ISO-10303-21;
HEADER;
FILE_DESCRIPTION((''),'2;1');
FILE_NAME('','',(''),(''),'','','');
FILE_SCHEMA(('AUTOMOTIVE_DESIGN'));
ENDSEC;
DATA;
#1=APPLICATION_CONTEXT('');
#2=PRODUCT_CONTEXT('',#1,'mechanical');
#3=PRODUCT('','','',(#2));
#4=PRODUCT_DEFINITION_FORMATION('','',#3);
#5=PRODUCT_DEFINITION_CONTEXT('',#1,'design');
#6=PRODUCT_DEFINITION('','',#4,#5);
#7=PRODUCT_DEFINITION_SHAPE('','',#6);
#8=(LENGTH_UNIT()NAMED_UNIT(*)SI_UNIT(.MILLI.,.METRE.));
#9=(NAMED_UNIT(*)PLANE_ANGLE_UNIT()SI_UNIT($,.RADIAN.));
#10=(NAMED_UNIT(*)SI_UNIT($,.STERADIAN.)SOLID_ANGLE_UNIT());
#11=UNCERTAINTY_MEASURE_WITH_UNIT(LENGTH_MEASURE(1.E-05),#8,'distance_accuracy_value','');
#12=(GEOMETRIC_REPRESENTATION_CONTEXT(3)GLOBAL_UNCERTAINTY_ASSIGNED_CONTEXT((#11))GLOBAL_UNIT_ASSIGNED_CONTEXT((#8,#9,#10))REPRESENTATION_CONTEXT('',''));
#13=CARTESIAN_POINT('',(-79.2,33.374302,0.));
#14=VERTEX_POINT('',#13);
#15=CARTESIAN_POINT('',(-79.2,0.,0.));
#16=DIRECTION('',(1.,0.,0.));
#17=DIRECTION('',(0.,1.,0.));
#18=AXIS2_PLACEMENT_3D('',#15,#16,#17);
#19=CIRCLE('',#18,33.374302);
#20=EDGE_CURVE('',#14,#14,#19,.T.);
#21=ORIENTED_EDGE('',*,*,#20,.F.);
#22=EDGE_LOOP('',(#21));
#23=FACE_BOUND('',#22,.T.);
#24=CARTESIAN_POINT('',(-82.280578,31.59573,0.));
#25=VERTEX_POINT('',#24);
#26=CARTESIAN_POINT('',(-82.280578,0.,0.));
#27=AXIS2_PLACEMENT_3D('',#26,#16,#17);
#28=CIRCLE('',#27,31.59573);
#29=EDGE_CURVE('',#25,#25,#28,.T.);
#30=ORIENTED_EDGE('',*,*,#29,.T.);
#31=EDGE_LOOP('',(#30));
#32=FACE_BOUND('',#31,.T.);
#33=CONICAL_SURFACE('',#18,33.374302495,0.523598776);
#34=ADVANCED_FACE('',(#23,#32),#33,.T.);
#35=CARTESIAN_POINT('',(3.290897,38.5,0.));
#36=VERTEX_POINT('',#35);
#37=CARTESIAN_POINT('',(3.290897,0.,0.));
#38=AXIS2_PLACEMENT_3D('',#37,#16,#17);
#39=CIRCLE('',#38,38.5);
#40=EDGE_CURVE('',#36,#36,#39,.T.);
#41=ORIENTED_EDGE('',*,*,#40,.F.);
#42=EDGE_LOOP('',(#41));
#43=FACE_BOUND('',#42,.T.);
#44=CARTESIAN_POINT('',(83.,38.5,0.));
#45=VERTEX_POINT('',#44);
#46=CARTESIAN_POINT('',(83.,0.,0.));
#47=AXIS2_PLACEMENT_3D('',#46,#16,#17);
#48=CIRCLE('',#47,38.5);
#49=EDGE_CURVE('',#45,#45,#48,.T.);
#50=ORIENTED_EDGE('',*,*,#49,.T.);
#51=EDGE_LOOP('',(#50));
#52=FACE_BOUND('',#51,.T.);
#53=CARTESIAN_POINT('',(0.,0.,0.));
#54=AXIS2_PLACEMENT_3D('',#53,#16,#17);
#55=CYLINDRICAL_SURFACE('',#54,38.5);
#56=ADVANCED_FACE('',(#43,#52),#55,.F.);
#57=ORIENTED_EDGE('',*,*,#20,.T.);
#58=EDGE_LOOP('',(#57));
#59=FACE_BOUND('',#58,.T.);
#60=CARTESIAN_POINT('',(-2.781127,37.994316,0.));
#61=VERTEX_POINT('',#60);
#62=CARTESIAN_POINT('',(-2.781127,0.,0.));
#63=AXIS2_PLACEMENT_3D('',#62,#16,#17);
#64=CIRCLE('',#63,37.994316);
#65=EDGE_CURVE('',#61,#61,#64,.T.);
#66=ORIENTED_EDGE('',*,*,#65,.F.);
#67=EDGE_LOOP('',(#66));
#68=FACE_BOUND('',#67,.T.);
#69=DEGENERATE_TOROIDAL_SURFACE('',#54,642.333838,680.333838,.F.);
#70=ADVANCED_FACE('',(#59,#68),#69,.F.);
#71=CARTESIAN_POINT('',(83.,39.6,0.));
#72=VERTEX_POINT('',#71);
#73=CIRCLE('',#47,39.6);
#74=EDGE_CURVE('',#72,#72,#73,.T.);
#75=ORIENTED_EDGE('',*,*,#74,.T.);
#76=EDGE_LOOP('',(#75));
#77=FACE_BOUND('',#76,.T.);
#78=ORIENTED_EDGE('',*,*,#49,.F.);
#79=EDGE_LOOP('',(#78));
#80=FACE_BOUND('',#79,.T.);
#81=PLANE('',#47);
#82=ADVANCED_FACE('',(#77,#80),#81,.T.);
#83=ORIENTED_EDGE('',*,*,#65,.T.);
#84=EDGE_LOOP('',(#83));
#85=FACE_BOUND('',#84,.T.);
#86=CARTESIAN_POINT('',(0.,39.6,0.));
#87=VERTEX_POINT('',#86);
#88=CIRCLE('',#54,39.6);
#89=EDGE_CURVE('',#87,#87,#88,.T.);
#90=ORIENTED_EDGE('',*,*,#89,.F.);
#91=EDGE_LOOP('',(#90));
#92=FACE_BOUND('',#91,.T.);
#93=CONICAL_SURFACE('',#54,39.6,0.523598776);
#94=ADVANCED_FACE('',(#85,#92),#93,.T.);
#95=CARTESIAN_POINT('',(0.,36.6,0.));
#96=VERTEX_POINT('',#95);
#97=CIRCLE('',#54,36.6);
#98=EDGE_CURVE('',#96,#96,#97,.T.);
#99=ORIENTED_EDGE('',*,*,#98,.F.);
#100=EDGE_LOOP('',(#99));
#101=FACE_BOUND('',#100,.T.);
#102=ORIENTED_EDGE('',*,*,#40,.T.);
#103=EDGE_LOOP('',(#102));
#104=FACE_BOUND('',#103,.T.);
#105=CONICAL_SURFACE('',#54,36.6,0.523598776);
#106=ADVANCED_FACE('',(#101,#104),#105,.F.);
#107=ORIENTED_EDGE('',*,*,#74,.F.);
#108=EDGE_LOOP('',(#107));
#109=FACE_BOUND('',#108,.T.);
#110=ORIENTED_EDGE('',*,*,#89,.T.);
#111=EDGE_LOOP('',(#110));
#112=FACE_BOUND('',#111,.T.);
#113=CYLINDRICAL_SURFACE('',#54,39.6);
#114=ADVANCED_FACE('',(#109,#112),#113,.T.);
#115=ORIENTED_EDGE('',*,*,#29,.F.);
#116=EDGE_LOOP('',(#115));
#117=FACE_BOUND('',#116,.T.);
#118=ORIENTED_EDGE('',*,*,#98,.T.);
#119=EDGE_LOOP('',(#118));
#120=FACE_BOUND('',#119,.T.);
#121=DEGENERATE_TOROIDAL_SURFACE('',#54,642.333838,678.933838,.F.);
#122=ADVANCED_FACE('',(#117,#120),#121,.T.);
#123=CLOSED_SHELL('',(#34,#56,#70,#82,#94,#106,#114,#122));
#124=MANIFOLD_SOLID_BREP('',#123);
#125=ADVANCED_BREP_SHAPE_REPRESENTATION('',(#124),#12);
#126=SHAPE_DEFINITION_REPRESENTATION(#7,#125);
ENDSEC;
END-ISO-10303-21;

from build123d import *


with BuildPart() as part:
    # Sketch1 → Revolve1 (revolve)
    with BuildSketch(Plane.XY):
        with BuildLine():
            Line((83, 39.6), (0, 39.6))
            Line((0, 39.6), (-2.781127116, 37.994315511))
            ThreePointArc((-2.781127116, 37.994315511), (-41.055601699, 36.760094161), (-79.2, 33.374302495))
            Line((-79.2, 33.374302495), (-82.280577508, 31.595730241))
            ThreePointArc((-82.280577508, 31.595730241), (-41.21630791, 35.347777764), (0, 36.6))
            Line((0, 36.6), (3.290896534, 38.5))
            Line((3.290896534, 38.5), (83, 38.5))
            Line((83, 38.5), (83, 39.6))
        make_face()
    revolve(axis=Axis((0, 0, 0), (-1, 0, 0)))


solid = part.part
